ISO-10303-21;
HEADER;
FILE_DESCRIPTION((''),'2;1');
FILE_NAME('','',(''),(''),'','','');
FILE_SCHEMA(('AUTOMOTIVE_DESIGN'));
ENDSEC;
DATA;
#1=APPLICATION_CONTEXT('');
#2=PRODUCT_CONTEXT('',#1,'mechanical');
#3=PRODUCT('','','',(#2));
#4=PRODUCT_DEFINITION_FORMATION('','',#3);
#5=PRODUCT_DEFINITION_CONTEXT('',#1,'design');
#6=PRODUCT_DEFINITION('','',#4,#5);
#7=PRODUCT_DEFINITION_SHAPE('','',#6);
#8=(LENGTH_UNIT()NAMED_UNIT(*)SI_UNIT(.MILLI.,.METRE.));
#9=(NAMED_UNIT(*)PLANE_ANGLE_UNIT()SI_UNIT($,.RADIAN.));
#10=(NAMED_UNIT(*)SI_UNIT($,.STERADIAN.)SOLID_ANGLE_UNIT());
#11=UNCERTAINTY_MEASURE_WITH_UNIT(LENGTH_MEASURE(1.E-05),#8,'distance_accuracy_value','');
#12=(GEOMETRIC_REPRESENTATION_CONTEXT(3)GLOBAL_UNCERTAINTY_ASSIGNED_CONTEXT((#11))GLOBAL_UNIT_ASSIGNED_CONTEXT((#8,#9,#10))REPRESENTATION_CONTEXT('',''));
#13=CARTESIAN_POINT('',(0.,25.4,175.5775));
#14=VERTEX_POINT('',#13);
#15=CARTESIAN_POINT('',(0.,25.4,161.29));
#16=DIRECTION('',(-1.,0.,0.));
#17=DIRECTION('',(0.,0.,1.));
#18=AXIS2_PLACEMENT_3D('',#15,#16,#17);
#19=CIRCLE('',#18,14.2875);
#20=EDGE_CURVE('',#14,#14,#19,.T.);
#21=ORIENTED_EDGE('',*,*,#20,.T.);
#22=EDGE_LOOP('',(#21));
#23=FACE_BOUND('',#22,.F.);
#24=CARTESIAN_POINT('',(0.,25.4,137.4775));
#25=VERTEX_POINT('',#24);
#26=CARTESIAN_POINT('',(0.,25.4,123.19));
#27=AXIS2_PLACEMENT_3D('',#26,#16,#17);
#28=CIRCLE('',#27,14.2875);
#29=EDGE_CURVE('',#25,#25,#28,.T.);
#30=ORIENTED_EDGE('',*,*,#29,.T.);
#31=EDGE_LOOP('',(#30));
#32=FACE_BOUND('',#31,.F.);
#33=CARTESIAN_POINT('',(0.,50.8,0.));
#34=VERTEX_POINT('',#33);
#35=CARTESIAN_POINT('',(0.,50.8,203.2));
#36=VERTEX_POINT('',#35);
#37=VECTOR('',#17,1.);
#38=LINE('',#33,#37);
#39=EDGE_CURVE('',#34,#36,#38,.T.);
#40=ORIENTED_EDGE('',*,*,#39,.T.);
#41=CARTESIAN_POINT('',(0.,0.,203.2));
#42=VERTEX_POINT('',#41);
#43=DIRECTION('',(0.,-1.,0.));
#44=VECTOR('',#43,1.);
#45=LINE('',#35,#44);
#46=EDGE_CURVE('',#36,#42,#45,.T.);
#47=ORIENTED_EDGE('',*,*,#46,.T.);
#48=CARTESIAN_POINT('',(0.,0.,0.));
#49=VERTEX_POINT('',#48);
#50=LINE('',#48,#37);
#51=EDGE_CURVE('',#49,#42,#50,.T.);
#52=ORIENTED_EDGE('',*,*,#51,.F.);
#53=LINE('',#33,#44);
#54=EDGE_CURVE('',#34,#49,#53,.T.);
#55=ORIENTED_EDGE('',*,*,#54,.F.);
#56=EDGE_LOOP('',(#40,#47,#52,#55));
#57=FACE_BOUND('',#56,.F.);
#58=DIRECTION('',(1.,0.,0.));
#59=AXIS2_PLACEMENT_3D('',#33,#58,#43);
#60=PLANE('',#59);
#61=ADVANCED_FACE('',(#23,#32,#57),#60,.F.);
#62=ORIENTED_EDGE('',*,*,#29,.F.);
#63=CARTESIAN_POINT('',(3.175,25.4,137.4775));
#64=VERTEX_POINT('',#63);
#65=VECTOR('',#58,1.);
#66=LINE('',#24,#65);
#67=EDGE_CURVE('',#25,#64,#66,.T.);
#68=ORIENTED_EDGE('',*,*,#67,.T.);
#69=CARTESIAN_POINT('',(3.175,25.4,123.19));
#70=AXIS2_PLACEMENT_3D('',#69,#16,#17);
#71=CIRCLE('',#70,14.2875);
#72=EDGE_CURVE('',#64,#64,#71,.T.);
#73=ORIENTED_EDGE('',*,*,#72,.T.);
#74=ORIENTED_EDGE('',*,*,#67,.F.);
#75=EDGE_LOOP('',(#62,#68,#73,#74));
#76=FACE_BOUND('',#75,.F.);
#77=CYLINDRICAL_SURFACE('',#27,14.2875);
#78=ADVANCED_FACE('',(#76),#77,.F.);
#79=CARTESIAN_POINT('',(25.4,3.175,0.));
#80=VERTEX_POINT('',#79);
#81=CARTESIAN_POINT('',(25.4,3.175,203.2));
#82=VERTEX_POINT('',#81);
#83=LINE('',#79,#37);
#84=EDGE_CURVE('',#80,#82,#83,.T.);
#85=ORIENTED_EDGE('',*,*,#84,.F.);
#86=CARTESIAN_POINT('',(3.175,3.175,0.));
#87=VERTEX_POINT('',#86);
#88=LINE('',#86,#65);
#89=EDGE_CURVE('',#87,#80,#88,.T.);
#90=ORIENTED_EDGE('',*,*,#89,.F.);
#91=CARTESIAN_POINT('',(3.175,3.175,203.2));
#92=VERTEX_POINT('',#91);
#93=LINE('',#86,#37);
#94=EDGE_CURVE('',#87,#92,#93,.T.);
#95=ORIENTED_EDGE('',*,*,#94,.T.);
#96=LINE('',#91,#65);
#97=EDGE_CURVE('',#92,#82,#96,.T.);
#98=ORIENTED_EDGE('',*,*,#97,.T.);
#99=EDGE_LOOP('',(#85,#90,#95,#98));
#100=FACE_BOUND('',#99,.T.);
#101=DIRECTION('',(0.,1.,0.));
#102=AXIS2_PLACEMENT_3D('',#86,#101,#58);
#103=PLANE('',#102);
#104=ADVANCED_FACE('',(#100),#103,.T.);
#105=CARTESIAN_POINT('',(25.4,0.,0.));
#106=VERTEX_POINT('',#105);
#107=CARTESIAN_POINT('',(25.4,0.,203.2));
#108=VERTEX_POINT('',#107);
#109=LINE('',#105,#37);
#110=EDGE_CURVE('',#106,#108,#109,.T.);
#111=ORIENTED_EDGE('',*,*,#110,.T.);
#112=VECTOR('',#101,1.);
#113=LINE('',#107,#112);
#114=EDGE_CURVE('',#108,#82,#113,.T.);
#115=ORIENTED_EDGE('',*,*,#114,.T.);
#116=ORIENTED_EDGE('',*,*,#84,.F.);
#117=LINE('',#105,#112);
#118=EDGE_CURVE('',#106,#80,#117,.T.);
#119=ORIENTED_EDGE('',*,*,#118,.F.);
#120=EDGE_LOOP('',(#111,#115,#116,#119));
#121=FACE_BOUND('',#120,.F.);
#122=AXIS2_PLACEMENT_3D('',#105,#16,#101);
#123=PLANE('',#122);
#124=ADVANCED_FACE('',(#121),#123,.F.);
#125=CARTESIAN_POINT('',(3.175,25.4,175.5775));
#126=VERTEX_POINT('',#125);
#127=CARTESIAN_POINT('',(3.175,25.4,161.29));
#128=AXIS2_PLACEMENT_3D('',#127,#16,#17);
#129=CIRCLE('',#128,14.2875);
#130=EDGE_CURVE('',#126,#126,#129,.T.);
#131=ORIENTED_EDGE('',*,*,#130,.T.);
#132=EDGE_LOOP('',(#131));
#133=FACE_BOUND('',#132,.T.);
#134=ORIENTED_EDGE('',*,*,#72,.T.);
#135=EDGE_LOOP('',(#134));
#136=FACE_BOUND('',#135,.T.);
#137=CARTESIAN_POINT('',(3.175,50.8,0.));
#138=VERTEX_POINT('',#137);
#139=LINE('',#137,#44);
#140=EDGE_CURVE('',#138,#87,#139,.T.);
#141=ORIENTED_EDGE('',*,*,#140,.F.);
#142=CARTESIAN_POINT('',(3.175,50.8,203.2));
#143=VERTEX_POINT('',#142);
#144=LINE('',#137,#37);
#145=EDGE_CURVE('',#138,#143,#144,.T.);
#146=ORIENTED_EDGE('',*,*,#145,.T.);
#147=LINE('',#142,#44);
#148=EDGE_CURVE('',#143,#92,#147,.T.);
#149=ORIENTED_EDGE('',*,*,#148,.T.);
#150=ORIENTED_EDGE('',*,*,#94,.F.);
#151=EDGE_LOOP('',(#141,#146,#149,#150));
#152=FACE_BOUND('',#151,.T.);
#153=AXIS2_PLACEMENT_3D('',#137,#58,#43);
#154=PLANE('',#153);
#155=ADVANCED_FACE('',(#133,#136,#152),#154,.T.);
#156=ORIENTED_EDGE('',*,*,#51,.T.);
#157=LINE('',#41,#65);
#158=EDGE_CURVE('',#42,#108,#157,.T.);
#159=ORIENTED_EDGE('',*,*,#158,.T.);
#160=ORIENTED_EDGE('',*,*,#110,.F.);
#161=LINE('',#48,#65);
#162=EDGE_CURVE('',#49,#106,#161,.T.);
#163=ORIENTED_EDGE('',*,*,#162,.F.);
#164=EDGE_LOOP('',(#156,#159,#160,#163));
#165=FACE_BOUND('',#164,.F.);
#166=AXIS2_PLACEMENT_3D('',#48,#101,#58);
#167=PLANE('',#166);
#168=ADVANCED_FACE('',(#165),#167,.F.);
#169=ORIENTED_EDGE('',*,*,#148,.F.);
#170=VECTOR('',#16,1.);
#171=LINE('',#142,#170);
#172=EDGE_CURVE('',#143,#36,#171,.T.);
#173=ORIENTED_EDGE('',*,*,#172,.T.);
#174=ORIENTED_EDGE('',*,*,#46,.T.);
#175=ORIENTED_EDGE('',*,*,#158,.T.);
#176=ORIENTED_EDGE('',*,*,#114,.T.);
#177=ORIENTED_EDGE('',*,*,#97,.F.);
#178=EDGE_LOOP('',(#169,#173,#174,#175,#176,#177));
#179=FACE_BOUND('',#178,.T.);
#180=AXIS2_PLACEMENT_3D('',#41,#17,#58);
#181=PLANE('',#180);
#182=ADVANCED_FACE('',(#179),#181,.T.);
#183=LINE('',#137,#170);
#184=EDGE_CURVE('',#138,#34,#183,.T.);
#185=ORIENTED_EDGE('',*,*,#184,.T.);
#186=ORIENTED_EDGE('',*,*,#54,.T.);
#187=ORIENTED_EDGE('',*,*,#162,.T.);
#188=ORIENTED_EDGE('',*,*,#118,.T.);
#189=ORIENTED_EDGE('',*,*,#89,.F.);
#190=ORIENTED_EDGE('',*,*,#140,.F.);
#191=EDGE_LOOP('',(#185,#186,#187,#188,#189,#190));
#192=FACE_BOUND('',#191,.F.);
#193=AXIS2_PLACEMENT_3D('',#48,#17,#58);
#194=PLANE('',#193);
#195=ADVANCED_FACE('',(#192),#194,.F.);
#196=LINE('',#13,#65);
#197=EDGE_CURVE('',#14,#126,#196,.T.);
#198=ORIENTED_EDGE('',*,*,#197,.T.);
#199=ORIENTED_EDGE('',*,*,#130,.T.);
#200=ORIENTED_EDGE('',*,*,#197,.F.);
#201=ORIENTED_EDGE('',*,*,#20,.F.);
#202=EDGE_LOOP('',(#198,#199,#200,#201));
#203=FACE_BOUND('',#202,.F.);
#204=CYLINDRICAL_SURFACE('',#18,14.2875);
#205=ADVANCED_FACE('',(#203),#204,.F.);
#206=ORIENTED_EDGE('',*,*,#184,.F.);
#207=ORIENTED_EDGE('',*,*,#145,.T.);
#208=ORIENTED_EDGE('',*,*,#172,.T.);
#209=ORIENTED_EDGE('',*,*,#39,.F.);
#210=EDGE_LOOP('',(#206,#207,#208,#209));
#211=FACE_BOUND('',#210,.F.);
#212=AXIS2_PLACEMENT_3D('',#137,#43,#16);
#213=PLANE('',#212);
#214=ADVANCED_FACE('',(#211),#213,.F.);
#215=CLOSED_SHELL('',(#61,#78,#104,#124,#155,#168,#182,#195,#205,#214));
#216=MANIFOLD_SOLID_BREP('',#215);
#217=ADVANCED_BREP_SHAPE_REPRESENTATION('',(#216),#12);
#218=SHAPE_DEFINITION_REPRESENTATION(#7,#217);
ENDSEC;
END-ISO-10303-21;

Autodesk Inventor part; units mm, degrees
ref_plane "YZ Plane" through (0, 0, 0) normal (1, 0, 0) x (0, 1, 0)
ref_plane "XZ Plane" through (0, 0, 0) normal (0, 1, 0) x (-1, 0, 0)
ref_plane "XY Plane" through (0, 0, 0) normal (0, 0, 1) x (1, 0, 0)
sketch "Sketch1" plane through (0, 0, 0) normal (0, 0, 1) x (1, 0, 0)
  line L0 (0, 0) -> (25.4, 0)
  line L1 (25.4, 0) -> (25.4, 3.175)
  line L2 (3.175, 50.8) -> (0, 50.8)
  line L3 (0, 50.8) -> (0, 0)
  line L4 (3.175, 50.8) -> (3.175, 3.175)
  line L5 (3.175, 3.175) -> (25.4, 3.175)
  dimension "d0" = 50.8
  dimension "d1" = 25.4
  dimension "d2" = 3.175
  dimension "d3" = 3.175
extrude "Extrusion1" add sketch "Sketch1" along normal blind 203.2
sketch "Sketch2" plane through (0, 0, 0) normal (-1, 0, 0) x (0, 0, 1)
  line L0 (203.2, 0) -> (203.2, 50.8) projected
  line L1 (0, 50.8) -> (203.2, 50.8) projected
  circle A0 centre (123.19, 25.4) radius 14.2875
  circle A1 centre (161.29, 25.4) radius 14.2875
  dimension "d6" = 28.575
  dimension "d7" = 28.575
  dimension "d8" = 25.4
  dimension "d9" = 41.91
  dimension "d10" = 38.1
extrude "Extrusion2" cut sketch "Sketch2" against normal blind 203.2
equation "\"d6\" = d7"
properties part number "manipulator bearing back right"
